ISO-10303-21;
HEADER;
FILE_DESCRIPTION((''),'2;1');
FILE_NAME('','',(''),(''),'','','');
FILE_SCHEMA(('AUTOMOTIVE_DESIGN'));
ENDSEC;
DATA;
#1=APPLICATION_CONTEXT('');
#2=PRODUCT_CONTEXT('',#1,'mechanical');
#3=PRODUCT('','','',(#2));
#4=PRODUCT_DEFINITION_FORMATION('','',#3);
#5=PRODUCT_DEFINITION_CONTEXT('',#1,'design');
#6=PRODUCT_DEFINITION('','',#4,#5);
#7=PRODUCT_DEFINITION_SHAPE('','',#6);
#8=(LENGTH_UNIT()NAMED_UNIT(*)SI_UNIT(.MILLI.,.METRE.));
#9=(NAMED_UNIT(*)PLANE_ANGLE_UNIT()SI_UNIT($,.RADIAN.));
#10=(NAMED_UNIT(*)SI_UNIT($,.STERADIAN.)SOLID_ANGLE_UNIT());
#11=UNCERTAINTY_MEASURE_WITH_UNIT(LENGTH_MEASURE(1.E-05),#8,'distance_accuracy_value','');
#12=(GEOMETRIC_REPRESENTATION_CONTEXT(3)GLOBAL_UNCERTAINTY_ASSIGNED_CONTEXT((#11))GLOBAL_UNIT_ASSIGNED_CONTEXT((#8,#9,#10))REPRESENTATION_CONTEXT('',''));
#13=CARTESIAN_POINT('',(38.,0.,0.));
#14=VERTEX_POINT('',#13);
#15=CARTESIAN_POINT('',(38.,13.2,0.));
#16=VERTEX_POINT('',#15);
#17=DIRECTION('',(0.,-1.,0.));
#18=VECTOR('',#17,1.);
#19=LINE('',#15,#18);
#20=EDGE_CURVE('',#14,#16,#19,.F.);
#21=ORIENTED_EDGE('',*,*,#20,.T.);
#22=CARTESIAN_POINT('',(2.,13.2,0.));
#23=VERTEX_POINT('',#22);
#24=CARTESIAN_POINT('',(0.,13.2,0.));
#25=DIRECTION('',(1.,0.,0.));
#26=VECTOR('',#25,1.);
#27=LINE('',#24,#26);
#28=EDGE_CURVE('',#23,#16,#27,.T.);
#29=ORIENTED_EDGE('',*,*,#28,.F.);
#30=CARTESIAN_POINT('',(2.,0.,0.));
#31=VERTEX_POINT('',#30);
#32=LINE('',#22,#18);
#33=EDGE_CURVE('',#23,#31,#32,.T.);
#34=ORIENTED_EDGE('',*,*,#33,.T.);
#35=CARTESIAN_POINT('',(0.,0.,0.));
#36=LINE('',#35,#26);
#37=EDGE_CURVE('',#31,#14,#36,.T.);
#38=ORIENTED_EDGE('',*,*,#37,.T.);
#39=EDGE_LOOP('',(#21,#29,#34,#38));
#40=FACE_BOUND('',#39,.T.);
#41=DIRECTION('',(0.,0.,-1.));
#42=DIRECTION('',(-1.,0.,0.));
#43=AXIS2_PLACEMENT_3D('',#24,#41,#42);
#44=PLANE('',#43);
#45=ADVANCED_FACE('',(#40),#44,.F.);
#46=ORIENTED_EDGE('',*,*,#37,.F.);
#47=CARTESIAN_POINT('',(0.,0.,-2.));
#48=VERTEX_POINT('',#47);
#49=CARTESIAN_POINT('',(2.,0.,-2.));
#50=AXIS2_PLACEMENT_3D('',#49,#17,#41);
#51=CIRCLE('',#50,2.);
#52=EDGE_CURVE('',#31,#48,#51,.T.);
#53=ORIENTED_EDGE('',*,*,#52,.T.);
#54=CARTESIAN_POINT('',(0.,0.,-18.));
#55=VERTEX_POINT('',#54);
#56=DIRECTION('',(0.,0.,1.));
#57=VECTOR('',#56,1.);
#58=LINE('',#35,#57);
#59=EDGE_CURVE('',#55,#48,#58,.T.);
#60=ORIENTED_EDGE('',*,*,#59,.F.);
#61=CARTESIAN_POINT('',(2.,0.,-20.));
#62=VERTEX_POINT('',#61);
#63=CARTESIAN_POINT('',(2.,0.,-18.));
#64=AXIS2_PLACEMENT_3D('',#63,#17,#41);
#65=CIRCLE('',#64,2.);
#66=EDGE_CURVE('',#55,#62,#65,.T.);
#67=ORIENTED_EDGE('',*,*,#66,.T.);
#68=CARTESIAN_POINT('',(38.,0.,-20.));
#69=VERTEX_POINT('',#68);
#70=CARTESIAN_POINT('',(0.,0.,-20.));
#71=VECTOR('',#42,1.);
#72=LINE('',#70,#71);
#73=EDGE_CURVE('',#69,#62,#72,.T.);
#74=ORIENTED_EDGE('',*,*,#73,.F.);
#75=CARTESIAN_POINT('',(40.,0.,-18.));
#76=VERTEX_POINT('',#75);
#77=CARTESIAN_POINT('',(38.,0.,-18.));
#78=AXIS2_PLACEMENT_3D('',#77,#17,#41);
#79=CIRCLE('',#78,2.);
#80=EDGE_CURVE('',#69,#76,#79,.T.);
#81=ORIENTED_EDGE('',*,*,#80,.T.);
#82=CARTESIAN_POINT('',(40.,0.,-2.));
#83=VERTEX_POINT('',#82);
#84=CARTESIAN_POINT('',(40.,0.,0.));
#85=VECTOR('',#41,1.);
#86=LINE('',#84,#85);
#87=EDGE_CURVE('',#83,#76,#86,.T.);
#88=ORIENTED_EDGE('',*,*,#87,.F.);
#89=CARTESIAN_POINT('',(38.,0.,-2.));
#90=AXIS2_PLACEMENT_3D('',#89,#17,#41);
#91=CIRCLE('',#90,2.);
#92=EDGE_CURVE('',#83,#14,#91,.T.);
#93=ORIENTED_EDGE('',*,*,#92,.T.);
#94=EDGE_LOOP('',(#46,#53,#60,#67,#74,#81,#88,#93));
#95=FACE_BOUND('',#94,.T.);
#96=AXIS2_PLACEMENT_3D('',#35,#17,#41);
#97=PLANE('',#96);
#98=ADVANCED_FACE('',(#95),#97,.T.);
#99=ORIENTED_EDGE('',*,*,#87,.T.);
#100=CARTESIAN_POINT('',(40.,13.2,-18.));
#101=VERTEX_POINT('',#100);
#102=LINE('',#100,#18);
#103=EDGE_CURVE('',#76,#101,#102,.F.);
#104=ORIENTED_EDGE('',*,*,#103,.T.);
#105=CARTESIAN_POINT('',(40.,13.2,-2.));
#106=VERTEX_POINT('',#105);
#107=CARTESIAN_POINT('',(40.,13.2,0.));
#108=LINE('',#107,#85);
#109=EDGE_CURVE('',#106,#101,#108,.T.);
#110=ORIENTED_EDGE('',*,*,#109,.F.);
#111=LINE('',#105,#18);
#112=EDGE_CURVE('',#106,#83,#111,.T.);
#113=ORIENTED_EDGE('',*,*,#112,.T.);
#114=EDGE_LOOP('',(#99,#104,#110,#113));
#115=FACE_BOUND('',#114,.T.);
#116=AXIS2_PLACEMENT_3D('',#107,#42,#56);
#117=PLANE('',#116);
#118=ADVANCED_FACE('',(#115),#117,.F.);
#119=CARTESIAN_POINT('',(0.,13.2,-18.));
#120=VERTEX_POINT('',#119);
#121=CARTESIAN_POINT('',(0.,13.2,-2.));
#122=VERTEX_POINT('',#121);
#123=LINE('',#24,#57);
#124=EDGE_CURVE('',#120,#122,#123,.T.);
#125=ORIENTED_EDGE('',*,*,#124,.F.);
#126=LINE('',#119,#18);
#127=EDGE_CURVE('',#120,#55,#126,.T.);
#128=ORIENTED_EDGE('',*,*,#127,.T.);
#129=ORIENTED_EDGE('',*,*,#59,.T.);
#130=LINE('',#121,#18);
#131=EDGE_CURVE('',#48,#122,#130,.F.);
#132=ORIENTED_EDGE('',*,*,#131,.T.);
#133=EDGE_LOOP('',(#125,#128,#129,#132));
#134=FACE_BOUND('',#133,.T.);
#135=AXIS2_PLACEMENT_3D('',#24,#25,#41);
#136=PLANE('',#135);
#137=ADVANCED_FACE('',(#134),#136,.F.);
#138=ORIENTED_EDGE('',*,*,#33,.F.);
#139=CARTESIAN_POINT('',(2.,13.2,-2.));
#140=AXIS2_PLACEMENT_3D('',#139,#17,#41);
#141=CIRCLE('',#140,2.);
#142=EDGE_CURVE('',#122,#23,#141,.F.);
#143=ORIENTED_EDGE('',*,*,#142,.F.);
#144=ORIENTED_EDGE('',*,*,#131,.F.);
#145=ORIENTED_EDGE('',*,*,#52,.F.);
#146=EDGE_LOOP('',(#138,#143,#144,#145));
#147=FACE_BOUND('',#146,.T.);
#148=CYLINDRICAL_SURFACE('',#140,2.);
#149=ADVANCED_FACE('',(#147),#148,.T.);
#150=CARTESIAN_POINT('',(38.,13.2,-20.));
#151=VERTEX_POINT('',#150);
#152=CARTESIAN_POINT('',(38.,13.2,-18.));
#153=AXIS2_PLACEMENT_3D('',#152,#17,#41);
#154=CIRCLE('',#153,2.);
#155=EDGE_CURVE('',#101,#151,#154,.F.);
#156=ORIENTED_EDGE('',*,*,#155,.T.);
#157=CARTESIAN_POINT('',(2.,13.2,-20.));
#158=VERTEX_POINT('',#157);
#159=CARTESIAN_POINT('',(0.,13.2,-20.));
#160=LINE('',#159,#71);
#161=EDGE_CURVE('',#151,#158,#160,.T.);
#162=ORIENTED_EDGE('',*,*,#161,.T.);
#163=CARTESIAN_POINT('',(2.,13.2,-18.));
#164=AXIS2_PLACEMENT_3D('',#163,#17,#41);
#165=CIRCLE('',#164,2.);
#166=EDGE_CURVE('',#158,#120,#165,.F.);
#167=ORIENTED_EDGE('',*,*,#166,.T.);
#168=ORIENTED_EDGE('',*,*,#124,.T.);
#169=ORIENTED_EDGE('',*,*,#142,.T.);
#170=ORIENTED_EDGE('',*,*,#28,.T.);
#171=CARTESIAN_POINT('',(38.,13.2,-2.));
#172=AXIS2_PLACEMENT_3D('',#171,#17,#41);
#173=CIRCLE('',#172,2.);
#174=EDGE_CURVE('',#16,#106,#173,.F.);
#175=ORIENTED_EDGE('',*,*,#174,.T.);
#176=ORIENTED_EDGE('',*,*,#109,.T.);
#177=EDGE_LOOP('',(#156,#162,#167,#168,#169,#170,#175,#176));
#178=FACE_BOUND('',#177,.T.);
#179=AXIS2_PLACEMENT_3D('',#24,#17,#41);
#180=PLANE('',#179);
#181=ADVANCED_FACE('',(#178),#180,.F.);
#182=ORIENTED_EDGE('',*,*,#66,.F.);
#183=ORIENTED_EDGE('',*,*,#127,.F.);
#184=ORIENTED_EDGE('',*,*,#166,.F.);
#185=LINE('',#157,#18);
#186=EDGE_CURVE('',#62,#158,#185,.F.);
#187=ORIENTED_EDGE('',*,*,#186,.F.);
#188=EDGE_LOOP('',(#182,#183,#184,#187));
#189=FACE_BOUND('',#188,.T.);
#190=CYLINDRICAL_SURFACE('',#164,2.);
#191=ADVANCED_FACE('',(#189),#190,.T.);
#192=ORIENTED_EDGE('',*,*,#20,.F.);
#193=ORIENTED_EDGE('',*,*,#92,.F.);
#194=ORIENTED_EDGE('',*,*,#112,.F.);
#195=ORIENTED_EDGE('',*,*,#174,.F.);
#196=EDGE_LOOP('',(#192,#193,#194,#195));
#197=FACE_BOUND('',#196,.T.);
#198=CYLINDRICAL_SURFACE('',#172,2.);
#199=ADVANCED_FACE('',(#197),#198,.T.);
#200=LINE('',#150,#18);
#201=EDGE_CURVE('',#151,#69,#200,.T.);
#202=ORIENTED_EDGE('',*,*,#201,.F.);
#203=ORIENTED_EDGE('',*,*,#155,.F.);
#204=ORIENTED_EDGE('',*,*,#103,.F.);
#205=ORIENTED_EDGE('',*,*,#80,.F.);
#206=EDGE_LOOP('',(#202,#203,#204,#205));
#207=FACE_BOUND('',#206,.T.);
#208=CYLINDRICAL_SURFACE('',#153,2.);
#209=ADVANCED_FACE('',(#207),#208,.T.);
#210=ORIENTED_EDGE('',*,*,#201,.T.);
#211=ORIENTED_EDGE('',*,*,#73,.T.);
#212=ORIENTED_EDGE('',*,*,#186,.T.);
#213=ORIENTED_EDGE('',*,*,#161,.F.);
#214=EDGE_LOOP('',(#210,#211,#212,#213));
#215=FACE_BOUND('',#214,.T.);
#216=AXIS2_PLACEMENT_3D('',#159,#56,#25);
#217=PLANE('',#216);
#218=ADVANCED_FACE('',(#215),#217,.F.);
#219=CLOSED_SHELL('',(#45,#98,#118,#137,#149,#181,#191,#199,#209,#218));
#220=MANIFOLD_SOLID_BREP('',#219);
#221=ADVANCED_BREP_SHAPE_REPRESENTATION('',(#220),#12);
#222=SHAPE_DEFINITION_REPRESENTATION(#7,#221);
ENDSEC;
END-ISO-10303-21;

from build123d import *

# Parameters (mm, degrees)
SKETCH1_W           = 40
SKETCH1_H           = 20
BOSS_EXTRUDE1_DEPTH = 13.2
FILLET1_R           = 2


with BuildPart() as part:
    # Sketch1 → Boss-Extrude1 (new body)
    with BuildSketch(Plane(origin=(0, 0, 0), x_dir=(1, 0, 0), z_dir=(0, 1, 0))):
        with Locations((20, 10)):
            Rectangle(SKETCH1_W, SKETCH1_H)
    extrude(amount=BOSS_EXTRUDE1_DEPTH)

    # Fillet1
    fillet1_edges = [part.edges().sort_by_distance(p)[0] for p in [
        (0, 6.6, -20),
        (40, 6.6, -20),
        (40, 6.6, 0),
        (0, 6.6, 0),
    ]]
    fillet(fillet1_edges, radius=FILLET1_R)


solid = part.part
